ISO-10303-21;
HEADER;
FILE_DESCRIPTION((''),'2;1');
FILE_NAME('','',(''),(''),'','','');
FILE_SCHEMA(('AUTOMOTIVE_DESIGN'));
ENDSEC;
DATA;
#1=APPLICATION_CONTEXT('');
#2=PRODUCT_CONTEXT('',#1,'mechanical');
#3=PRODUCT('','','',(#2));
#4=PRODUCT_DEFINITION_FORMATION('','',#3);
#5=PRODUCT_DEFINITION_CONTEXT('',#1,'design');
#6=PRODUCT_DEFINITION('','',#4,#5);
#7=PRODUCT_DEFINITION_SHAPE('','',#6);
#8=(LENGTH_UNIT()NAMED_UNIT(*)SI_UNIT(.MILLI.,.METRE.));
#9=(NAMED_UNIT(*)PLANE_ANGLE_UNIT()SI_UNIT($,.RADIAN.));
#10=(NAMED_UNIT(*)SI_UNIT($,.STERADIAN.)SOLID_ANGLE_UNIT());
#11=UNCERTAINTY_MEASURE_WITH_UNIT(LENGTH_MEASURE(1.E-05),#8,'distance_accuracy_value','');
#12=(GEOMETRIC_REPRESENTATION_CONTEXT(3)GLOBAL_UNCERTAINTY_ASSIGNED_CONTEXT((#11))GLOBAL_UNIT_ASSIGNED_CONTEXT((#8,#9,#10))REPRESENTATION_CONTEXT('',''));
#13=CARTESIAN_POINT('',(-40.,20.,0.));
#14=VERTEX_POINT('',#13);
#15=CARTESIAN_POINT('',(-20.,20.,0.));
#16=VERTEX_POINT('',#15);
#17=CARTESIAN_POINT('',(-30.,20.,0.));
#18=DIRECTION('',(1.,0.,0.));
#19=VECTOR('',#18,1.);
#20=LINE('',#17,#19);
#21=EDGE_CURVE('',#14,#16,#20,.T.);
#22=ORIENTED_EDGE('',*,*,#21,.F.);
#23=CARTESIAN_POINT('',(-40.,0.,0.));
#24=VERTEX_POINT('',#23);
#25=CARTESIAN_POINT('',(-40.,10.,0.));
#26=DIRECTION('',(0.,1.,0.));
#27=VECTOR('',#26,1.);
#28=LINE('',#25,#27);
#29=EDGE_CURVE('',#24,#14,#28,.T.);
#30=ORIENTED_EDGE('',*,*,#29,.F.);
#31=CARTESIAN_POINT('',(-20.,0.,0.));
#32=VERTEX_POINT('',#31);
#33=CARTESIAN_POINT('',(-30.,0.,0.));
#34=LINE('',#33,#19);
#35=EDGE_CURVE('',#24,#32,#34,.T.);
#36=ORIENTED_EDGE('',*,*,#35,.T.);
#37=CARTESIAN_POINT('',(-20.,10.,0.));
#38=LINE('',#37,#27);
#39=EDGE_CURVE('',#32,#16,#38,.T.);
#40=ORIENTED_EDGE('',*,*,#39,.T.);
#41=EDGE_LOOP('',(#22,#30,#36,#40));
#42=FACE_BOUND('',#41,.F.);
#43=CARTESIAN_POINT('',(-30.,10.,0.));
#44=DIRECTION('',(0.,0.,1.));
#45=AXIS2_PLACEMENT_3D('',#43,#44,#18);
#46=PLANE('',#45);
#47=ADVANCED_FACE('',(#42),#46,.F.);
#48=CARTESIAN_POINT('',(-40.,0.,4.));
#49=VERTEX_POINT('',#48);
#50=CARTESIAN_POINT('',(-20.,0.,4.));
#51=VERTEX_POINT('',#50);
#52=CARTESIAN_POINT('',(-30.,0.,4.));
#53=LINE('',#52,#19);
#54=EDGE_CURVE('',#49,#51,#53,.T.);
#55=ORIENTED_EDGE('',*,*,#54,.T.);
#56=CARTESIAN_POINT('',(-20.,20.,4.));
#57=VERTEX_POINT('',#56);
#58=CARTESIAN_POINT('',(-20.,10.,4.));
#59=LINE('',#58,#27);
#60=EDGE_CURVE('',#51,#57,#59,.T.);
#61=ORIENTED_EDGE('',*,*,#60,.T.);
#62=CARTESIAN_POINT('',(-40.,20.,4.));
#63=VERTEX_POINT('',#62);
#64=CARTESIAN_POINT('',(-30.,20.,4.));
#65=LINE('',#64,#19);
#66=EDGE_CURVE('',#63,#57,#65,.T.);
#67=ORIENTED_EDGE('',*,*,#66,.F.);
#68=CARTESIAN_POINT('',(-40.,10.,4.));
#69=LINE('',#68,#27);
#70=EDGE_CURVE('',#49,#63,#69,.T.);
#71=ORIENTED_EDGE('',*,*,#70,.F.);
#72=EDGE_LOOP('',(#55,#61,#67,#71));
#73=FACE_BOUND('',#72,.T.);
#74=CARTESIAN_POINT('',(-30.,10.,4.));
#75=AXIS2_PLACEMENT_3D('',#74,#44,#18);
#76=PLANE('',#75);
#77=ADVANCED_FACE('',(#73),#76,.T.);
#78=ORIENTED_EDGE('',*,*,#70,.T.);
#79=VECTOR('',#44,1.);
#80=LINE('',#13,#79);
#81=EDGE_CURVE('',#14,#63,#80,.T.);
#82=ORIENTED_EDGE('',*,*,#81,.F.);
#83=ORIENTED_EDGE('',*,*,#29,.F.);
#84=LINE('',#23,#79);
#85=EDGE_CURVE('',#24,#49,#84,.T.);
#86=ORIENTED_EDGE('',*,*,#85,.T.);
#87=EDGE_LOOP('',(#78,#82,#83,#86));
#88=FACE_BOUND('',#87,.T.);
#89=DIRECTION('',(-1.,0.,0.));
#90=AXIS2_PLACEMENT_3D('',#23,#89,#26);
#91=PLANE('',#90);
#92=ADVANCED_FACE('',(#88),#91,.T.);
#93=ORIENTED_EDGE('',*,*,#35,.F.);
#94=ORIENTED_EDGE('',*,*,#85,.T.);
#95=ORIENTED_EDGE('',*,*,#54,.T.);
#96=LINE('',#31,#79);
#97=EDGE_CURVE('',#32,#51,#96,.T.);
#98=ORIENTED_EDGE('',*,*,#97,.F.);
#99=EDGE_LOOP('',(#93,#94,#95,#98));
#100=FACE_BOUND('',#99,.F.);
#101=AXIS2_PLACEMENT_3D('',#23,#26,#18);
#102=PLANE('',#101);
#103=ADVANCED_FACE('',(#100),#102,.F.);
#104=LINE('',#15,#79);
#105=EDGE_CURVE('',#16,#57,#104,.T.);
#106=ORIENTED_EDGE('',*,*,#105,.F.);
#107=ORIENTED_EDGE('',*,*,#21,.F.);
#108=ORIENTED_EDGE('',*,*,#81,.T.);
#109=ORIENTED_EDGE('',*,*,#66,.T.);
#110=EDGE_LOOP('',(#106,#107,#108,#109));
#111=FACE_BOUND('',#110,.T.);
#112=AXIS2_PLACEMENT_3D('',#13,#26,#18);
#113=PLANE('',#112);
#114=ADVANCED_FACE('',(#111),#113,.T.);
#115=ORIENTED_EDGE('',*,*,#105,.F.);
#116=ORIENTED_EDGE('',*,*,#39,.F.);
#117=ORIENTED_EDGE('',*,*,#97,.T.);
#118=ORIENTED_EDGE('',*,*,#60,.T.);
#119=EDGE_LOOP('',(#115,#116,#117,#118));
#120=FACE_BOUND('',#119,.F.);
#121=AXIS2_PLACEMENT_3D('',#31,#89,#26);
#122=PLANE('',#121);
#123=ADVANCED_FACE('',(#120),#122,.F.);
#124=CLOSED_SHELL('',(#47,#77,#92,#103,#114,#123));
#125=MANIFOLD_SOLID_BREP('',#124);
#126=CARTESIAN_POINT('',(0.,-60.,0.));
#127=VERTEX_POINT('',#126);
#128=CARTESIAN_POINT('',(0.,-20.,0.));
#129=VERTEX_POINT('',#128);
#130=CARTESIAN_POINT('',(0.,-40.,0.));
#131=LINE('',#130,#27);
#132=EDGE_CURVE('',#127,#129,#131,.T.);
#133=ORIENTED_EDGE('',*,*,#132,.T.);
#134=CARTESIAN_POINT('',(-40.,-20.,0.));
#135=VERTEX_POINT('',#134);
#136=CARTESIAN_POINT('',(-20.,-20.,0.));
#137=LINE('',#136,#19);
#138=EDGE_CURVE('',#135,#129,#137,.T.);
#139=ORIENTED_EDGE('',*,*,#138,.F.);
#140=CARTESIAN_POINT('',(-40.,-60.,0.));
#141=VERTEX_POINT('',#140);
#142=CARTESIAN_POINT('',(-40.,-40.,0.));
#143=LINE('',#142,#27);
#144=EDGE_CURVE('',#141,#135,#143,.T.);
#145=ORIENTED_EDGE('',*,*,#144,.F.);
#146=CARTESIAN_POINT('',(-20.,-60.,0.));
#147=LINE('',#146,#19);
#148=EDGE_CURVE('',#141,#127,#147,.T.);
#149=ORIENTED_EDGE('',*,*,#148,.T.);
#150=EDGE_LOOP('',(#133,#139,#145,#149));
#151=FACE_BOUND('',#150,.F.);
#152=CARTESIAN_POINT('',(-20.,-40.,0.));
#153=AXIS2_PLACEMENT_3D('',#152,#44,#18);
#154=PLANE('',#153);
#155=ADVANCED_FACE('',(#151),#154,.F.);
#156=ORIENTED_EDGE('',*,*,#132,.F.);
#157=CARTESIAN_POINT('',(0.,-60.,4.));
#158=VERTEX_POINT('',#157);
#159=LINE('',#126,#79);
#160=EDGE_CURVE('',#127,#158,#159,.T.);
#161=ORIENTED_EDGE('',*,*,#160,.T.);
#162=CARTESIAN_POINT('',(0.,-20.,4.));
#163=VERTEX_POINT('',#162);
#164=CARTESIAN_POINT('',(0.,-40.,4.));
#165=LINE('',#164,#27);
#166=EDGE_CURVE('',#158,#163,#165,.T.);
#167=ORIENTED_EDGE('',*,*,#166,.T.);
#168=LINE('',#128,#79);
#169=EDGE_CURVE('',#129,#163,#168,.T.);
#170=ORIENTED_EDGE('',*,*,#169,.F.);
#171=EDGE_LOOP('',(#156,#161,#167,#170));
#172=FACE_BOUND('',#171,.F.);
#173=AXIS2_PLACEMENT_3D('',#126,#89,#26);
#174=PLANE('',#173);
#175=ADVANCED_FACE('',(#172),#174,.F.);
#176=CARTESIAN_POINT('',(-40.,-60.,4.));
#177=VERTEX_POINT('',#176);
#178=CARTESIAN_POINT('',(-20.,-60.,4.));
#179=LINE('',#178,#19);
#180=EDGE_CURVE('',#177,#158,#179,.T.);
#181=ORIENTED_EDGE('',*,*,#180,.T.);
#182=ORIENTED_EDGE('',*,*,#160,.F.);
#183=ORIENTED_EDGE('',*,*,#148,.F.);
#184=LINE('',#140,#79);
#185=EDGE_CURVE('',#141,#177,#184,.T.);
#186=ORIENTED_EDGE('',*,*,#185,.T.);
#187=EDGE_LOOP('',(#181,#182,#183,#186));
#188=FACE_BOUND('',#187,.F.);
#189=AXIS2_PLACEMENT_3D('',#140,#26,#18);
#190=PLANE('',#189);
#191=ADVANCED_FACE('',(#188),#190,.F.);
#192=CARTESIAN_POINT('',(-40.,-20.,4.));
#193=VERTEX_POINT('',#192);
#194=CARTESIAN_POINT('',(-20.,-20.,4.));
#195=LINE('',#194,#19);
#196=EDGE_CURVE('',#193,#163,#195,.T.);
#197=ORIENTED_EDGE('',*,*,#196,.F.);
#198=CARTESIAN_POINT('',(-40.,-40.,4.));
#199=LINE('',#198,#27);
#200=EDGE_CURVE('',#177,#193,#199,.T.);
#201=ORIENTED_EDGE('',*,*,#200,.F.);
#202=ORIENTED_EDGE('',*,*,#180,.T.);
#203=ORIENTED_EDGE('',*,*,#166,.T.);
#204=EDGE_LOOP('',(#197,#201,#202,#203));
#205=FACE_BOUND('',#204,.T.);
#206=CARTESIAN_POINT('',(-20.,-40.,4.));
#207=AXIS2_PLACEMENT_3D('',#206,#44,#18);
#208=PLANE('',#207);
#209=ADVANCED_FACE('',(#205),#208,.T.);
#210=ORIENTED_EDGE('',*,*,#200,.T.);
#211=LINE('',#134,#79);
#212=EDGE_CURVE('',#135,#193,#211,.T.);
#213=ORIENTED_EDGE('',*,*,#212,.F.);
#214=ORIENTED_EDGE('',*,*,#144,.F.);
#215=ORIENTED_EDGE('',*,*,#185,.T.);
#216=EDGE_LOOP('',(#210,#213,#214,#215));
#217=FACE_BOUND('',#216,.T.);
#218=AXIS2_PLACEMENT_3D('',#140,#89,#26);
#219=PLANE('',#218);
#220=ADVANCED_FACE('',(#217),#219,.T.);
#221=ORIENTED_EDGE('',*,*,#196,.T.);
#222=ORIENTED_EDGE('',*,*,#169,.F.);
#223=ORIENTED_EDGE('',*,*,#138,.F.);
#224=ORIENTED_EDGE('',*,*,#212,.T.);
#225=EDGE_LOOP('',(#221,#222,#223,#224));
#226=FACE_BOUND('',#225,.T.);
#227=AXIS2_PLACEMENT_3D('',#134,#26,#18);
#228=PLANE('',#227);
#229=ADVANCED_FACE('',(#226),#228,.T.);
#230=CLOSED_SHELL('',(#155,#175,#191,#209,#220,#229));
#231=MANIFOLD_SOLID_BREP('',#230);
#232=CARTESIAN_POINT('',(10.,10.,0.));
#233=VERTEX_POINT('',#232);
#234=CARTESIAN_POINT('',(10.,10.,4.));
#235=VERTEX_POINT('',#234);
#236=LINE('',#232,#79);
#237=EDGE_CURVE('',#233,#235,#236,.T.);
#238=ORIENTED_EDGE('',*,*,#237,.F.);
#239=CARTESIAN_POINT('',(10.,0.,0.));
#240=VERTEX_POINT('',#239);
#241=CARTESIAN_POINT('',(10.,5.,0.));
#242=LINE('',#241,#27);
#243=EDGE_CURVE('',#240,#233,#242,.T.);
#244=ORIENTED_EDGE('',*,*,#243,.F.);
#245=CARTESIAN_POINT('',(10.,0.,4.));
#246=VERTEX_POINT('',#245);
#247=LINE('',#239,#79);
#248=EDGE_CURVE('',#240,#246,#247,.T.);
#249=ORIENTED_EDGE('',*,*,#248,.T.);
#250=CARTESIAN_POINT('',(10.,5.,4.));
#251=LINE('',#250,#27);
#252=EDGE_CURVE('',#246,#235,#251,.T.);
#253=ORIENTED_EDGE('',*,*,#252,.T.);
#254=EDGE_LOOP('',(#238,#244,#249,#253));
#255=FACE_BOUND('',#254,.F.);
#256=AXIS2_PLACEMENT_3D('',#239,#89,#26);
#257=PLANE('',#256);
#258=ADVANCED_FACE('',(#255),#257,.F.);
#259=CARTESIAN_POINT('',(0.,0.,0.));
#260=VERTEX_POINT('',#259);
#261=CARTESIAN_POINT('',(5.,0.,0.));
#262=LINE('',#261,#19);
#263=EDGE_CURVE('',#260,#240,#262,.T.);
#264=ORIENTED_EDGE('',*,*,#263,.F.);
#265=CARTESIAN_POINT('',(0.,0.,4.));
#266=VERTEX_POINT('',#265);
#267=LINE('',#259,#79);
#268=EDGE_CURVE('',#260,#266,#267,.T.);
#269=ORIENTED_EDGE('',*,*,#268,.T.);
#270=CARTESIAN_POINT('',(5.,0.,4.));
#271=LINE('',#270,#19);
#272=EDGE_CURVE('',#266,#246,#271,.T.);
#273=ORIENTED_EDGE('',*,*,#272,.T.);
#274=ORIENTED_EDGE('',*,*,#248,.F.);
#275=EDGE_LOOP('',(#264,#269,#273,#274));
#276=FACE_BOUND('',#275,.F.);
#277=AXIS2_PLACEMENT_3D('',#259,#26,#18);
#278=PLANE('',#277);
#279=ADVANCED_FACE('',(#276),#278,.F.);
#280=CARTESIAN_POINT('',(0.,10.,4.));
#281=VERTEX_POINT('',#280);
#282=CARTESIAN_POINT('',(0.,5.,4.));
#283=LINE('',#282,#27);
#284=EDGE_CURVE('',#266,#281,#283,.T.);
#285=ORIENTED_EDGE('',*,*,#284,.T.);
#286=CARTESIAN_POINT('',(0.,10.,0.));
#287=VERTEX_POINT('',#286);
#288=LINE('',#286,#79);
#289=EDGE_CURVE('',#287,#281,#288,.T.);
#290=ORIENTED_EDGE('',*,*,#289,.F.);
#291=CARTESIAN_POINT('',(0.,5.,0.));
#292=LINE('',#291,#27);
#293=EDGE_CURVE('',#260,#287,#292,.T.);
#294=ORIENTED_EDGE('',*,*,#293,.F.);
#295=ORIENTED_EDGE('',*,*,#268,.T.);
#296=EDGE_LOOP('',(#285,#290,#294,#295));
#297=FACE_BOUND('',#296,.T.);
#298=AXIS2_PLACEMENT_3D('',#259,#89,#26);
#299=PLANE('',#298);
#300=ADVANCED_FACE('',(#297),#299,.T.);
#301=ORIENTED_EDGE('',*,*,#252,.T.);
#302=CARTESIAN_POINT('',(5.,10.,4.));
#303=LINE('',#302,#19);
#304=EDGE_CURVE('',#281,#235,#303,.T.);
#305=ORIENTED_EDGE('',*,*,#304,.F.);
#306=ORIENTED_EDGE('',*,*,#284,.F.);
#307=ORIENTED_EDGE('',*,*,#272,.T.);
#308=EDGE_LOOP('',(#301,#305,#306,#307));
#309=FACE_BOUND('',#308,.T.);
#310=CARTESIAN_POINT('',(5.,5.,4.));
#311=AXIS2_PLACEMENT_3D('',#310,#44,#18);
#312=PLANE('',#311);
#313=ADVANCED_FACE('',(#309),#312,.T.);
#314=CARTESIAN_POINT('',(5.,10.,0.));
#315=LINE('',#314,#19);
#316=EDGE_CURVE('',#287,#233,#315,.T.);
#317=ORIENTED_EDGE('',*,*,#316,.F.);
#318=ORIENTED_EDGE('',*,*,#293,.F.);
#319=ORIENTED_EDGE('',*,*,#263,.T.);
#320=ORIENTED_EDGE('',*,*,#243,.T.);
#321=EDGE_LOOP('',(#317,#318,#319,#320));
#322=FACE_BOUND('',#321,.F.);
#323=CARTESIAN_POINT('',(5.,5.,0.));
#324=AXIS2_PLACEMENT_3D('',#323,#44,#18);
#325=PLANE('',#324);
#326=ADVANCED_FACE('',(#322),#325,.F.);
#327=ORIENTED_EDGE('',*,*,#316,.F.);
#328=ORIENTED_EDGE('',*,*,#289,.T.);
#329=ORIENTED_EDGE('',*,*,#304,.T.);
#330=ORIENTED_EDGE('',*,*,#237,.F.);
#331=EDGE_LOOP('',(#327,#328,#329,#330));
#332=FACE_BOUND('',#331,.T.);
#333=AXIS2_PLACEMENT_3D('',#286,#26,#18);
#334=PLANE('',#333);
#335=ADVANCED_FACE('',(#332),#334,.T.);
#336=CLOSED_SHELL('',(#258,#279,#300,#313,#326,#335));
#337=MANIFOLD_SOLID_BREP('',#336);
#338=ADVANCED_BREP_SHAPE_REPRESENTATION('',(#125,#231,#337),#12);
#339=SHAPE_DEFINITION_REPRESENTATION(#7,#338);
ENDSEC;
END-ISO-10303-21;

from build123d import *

# Parameters (mm, degrees)
F0_W     = 10
F0_H     = 10
F0_W_2   = 20
F0_H_2   = 20
F0_W_3   = 40
F0_H_3   = 40
F1_DEPTH = 4


with BuildPart() as f1:
    # F0 (on Top) → F1 (new body)
    with BuildSketch(Plane.XY):
        with Locations((5, 5)):
            Rectangle(F0_W, F0_H)
        with Locations((-30, 10)):
            Rectangle(F0_W_2, F0_H_2)
        with Locations((-20, -40)):
            Rectangle(F0_W_3, F0_H_3)
    extrude(amount=F1_DEPTH)


solid = f1.part
